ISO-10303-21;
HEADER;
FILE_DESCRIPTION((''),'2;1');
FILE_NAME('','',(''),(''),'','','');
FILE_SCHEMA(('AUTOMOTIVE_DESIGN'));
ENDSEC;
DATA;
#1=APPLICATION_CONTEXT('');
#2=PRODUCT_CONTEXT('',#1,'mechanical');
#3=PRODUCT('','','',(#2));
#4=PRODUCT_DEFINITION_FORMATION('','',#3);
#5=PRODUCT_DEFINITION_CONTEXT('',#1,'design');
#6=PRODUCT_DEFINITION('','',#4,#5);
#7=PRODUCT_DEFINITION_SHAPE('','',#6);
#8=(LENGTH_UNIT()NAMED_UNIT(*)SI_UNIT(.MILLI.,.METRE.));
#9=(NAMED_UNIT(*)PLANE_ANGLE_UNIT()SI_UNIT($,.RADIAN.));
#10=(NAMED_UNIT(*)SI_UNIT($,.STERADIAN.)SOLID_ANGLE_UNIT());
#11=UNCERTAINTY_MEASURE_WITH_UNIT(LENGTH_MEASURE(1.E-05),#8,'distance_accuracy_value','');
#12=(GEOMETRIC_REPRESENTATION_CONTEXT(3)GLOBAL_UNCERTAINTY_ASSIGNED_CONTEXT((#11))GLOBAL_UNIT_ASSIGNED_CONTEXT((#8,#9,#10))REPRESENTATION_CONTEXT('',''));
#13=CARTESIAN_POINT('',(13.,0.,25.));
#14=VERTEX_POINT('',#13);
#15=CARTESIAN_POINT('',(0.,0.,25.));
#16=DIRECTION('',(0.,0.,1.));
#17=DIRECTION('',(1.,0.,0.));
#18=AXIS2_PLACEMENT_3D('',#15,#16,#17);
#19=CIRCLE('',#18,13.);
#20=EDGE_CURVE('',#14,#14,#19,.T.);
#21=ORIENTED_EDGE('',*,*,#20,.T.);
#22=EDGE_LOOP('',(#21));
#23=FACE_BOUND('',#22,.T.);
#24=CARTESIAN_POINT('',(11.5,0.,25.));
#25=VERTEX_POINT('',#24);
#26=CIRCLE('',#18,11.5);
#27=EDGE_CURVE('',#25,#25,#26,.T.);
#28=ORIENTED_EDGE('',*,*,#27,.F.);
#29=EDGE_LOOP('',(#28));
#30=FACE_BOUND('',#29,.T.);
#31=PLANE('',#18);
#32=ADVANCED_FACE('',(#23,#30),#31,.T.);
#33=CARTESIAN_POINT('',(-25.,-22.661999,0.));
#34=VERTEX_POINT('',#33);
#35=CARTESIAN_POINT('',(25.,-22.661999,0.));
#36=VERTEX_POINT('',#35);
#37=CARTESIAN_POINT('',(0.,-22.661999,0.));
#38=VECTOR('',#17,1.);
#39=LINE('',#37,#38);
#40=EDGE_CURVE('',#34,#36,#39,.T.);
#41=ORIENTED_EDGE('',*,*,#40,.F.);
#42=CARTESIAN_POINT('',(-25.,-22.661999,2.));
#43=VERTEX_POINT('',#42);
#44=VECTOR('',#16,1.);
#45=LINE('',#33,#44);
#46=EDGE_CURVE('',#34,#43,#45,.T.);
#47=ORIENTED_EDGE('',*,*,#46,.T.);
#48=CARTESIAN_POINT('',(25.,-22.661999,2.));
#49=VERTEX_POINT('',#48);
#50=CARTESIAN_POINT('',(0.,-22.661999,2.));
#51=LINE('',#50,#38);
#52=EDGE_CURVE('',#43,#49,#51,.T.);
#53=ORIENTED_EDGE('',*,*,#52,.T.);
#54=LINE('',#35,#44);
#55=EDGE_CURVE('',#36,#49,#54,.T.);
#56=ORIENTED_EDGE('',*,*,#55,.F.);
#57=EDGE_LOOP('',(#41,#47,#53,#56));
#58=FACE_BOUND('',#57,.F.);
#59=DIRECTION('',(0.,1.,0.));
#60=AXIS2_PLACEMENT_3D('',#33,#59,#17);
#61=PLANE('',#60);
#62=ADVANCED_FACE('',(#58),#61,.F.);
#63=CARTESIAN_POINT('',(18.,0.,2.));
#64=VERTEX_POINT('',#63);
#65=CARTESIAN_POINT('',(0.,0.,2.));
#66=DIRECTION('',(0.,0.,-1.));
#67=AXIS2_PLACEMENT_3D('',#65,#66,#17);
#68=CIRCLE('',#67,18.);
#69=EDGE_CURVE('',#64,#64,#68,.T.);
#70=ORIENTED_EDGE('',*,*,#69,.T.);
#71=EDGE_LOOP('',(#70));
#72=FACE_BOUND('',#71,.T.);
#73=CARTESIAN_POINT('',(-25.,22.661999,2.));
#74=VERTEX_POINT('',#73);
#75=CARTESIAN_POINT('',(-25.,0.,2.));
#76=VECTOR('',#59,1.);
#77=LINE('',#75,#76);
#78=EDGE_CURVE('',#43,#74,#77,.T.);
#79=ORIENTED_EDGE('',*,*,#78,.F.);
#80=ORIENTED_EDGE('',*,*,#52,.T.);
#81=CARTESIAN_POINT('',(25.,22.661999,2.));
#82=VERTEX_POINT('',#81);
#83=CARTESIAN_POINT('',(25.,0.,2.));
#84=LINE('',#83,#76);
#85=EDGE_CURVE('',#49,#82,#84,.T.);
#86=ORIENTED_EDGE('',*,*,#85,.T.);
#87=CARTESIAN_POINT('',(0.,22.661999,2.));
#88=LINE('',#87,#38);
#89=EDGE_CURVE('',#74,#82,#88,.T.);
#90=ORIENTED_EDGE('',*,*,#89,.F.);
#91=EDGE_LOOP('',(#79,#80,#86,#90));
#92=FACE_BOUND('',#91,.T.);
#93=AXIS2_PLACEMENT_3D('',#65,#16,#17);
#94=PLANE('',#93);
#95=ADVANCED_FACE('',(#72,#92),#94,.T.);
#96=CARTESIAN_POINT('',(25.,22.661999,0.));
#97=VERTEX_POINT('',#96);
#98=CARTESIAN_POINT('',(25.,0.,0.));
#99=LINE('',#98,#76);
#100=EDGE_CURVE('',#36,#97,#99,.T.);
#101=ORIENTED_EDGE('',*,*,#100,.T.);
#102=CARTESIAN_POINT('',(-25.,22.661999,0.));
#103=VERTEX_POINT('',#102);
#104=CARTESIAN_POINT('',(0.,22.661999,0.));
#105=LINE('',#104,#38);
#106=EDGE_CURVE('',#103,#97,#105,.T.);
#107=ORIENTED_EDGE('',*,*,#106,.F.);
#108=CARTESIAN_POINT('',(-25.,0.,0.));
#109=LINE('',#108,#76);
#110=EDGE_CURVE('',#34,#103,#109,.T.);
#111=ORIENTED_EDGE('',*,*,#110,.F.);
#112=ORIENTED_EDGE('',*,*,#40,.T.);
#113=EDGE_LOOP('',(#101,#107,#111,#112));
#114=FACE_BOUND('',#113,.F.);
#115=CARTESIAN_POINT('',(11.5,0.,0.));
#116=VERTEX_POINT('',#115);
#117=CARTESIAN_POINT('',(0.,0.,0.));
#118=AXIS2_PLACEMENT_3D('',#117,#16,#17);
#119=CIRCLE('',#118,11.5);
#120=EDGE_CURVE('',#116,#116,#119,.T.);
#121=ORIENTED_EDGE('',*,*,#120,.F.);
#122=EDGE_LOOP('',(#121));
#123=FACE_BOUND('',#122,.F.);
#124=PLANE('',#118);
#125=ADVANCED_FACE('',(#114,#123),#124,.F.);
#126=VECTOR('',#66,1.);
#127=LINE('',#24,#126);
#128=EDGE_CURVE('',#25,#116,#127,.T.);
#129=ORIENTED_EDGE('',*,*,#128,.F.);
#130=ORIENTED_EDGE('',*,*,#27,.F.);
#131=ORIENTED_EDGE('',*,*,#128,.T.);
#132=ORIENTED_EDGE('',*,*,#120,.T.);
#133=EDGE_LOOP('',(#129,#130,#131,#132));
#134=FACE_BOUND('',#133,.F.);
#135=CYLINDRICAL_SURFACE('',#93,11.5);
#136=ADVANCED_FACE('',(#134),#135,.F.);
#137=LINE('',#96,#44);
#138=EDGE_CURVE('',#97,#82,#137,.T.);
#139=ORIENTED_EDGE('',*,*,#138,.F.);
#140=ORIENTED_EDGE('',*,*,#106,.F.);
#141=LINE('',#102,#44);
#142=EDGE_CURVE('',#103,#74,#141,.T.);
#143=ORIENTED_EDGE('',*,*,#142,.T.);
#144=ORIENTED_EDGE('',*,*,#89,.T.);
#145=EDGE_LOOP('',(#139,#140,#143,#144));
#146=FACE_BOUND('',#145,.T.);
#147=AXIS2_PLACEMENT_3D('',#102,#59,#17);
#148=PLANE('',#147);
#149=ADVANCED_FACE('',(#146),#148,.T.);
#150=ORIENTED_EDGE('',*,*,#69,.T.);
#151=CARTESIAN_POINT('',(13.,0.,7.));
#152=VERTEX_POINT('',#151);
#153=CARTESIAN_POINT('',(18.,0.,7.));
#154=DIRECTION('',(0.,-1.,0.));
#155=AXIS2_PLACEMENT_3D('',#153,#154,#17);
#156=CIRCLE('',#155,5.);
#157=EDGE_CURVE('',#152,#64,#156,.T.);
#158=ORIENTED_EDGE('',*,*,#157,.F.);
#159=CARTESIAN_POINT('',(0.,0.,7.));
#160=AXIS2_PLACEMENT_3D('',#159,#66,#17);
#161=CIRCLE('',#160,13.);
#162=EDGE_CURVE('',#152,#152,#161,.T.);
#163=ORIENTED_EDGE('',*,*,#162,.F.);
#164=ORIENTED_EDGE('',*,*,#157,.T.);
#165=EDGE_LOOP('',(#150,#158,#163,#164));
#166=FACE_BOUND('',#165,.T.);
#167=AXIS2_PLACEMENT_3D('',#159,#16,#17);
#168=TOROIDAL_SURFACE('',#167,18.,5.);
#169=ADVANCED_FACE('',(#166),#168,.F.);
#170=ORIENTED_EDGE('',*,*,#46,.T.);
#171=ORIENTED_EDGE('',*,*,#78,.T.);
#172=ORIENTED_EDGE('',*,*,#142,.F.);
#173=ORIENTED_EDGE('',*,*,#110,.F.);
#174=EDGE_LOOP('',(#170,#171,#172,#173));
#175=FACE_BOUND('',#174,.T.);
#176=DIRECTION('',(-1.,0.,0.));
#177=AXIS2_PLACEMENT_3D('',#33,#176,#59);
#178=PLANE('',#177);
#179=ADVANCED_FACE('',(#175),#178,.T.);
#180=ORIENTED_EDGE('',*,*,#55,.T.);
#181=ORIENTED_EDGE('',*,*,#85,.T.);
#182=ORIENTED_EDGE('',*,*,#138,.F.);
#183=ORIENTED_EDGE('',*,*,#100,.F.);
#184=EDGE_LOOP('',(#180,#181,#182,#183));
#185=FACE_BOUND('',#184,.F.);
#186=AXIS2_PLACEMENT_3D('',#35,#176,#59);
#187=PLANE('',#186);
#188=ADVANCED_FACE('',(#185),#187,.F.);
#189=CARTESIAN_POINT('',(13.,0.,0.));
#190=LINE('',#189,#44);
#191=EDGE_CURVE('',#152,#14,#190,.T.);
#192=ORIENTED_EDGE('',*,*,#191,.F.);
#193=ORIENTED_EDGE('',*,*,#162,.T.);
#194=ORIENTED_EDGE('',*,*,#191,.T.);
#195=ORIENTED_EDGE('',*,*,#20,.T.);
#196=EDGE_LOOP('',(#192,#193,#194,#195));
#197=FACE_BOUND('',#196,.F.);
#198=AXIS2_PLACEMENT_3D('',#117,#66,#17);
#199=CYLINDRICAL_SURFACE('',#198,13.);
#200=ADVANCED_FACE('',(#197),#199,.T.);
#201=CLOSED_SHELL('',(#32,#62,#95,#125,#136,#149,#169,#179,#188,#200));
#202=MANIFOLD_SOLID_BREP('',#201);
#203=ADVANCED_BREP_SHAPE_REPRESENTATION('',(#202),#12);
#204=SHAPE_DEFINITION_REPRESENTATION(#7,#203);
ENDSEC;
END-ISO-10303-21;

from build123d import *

# Parameters (mm, degrees)
F1_W      = 50
F1_H      = 45.323998
F2_DEPTH  = 2
F0_R      = 13
F0_R_2    = 11.5
F3_DEPTH  = 25
F3_FACE_R = 11.5
F4_DEPTH  = 25
F5_R      = 5


with BuildPart() as f2:
    # F1 (on Top) → F2 (new body)
    with BuildSketch(Plane.XY):
        Rectangle(F1_W, F1_H)
    extrude(amount=F2_DEPTH)

    # F0 (on Top) → F3 (join)
    with BuildSketch(Plane.XY):
        Circle(F0_R)
        Circle(F0_R_2, mode=Mode.SUBTRACT)
    extrude(amount=F3_DEPTH)

    # F3_face (on face) → F4 (cut)
    with BuildSketch(Plane.XY.offset(2)):
        Circle(F3_FACE_R)
    extrude(amount=-F4_DEPTH, mode=Mode.SUBTRACT)

    # F5
    f5_edges = [f2.edges().sort_by_distance(p)[0] for p in [
        (-13, 0, 2),
    ]]
    fillet(f5_edges, radius=F5_R)


solid = f2.part
